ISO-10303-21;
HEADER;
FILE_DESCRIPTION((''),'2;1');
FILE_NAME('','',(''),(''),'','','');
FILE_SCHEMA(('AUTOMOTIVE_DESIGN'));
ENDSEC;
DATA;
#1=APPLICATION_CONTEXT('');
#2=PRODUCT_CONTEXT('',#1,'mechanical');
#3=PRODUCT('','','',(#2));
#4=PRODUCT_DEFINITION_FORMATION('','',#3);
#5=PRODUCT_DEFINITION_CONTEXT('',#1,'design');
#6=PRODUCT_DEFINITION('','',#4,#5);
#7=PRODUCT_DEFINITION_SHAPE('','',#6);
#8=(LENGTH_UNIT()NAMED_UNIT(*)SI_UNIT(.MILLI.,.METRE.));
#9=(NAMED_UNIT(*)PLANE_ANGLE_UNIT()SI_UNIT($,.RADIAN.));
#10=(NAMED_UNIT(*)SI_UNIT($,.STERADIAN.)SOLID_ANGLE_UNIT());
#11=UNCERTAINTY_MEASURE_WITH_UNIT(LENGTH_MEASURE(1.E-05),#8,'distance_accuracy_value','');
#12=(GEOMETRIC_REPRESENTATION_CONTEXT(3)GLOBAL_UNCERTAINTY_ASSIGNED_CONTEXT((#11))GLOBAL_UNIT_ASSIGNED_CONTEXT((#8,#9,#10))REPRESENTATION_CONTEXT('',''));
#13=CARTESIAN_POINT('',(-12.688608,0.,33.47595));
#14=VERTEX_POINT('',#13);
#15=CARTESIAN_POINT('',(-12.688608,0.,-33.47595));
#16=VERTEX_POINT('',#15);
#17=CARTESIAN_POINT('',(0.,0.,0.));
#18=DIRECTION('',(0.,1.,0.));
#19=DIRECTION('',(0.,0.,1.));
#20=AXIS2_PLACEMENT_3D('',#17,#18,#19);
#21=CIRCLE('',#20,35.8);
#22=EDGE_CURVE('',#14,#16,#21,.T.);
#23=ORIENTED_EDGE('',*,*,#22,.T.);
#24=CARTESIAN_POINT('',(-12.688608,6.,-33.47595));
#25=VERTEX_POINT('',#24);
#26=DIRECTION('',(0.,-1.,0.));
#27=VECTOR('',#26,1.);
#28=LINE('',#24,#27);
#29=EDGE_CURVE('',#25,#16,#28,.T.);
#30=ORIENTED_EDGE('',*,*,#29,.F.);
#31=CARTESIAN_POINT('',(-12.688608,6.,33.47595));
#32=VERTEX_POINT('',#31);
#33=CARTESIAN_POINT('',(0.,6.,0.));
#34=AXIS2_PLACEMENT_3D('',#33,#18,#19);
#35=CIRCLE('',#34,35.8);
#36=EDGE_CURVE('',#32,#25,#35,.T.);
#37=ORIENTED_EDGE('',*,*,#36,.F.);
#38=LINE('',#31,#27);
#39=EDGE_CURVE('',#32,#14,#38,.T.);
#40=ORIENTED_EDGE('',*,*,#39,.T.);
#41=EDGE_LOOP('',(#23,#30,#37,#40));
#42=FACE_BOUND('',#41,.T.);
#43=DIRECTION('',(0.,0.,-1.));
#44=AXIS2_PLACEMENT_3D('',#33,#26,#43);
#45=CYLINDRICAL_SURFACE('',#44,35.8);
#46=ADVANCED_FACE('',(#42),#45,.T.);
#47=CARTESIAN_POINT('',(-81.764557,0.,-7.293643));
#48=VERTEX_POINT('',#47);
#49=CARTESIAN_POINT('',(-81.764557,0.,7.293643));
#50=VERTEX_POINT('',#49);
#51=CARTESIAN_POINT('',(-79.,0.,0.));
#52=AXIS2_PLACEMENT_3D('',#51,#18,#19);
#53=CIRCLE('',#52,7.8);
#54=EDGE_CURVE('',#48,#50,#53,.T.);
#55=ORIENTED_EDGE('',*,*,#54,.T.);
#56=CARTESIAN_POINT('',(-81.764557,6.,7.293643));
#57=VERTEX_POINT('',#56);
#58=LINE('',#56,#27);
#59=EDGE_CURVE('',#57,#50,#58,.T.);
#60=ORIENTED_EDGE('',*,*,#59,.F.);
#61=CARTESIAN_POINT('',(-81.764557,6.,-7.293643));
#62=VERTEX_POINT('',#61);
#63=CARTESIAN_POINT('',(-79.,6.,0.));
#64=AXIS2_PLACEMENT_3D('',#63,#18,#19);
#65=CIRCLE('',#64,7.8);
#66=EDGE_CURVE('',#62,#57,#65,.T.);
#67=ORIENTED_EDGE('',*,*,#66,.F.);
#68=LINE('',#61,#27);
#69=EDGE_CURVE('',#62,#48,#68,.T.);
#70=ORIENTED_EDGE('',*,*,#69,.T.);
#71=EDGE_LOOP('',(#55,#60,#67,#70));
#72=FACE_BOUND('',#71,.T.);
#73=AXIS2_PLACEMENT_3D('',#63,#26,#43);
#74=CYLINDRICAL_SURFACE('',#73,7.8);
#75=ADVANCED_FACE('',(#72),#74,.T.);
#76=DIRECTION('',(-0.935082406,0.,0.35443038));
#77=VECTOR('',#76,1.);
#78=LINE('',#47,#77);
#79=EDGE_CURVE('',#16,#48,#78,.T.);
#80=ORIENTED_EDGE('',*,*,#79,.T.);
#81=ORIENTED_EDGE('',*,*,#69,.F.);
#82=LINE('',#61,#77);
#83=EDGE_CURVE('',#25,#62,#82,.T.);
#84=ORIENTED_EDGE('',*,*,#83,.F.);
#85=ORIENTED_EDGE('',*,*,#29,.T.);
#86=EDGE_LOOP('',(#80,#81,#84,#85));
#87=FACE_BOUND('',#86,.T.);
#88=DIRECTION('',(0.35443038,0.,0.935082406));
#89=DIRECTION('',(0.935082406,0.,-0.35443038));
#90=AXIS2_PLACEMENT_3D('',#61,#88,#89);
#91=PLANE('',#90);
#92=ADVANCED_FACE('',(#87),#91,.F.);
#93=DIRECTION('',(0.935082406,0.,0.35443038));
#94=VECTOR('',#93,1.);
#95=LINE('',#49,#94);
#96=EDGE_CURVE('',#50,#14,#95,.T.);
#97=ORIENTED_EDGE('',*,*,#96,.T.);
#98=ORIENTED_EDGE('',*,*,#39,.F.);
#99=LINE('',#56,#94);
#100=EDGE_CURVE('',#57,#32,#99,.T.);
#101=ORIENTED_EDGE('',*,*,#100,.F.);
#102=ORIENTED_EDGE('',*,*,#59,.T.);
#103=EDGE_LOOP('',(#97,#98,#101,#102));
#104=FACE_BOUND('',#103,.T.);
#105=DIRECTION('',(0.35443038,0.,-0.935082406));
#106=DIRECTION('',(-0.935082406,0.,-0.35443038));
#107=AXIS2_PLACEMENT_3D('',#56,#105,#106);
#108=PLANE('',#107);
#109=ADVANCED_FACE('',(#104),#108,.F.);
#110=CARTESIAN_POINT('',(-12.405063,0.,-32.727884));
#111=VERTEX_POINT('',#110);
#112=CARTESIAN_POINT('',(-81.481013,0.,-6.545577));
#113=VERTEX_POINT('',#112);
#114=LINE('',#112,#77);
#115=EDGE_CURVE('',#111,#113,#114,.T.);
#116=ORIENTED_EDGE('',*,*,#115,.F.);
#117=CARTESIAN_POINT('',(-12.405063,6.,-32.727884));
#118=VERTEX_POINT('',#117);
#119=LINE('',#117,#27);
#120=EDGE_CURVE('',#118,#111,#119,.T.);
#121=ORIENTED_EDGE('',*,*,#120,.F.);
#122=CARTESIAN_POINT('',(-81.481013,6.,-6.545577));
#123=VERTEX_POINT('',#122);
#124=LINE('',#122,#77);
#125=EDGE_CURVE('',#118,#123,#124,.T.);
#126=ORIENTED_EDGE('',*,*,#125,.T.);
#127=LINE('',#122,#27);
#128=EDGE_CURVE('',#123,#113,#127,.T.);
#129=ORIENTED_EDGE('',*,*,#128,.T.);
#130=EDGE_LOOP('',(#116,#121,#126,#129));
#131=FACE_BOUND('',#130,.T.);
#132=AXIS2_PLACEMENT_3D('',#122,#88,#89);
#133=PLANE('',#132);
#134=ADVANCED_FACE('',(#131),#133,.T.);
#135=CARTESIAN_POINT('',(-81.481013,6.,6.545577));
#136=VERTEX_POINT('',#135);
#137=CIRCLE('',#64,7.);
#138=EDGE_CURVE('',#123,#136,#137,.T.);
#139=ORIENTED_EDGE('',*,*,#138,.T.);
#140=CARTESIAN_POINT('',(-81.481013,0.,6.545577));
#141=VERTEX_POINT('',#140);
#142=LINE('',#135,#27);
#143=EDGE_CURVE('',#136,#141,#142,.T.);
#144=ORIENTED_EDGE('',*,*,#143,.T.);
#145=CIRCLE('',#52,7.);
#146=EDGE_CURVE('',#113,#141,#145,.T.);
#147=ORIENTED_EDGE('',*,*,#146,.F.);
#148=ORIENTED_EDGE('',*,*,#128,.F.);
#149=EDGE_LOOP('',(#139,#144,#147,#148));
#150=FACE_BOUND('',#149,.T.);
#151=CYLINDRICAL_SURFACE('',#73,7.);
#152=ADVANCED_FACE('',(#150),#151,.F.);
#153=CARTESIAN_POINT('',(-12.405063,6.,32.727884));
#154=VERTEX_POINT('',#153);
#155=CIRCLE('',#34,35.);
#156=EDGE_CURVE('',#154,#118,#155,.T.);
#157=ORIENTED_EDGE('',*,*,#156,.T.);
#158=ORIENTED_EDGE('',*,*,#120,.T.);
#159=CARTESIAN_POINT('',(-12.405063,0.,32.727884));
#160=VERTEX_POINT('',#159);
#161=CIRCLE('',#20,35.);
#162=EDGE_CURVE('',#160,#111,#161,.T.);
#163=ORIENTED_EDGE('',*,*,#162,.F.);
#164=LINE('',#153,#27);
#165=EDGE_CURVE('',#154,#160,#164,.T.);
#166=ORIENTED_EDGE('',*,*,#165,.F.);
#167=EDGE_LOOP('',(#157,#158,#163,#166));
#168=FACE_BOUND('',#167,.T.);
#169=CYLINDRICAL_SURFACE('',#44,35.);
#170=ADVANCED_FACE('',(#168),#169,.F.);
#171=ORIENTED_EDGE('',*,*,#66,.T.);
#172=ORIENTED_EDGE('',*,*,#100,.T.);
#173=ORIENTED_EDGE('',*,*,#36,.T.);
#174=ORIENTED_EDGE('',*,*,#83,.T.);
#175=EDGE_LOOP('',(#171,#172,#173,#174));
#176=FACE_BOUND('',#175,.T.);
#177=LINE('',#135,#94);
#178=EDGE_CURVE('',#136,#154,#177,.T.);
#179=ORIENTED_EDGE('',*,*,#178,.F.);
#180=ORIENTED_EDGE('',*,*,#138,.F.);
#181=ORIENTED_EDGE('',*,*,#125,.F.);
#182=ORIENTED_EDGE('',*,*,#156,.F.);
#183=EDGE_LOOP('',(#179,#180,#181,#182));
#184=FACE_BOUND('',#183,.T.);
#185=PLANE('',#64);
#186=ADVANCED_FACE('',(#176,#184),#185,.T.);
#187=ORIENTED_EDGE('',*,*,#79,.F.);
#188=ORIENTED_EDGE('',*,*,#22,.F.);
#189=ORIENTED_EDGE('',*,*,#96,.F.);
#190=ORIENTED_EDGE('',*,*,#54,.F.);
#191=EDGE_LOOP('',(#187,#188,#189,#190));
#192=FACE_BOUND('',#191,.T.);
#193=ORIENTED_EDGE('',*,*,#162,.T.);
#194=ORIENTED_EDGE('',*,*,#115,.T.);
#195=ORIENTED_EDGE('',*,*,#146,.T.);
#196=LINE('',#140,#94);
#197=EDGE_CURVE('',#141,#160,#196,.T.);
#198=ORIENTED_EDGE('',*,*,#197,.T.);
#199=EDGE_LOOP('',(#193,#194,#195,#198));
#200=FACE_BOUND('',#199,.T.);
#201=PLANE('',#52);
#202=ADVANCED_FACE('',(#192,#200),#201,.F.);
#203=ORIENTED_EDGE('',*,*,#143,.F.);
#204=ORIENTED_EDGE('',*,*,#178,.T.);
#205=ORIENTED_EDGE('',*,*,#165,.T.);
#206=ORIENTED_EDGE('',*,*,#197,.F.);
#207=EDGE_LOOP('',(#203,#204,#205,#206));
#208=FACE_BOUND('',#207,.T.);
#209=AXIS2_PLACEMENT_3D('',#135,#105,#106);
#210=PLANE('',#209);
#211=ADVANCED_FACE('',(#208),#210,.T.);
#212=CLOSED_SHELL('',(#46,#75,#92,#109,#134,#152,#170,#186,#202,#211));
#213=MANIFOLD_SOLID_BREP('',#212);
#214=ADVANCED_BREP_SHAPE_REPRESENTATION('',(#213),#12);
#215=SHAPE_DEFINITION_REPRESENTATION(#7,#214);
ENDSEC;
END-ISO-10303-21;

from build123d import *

# Parameters (mm, degrees)
BOSS_EXTRUDE1_DEPTH = 6


with BuildPart() as part:
    # Sketch1 → Boss-Extrude1 (new body)
    with BuildSketch(Plane(origin=(0, 0, 0), x_dir=(1, 0, 0), z_dir=(0, 1, 0))):
        with BuildLine():
            Line((-81.764556962, 7.293642766), (-12.688607595, 33.475950133))
            ThreePointArc((-12.688607595, 33.475950133), (35.8, 0), (-12.688607595, -33.475950133))
            Line((-12.688607595, -33.475950133), (-81.764556962, -7.293642766))
            ThreePointArc((-81.764556962, -7.293642766), (-86.8, 0), (-81.764556962, 7.293642766))
        make_face()
        with BuildLine():
            Line((-81.481012658, 6.545576842), (-12.405063291, 32.727884208))
            ThreePointArc((-12.405063291, 32.727884208), (35, 0), (-12.405063291, -32.727884208))
            Line((-12.405063291, -32.727884208), (-81.481012658, -6.545576842))
            ThreePointArc((-81.481012658, -6.545576842), (-86, 0), (-81.481012658, 6.545576842))
        make_face(mode=Mode.SUBTRACT)
    extrude(amount=BOSS_EXTRUDE1_DEPTH)


solid = part.part
